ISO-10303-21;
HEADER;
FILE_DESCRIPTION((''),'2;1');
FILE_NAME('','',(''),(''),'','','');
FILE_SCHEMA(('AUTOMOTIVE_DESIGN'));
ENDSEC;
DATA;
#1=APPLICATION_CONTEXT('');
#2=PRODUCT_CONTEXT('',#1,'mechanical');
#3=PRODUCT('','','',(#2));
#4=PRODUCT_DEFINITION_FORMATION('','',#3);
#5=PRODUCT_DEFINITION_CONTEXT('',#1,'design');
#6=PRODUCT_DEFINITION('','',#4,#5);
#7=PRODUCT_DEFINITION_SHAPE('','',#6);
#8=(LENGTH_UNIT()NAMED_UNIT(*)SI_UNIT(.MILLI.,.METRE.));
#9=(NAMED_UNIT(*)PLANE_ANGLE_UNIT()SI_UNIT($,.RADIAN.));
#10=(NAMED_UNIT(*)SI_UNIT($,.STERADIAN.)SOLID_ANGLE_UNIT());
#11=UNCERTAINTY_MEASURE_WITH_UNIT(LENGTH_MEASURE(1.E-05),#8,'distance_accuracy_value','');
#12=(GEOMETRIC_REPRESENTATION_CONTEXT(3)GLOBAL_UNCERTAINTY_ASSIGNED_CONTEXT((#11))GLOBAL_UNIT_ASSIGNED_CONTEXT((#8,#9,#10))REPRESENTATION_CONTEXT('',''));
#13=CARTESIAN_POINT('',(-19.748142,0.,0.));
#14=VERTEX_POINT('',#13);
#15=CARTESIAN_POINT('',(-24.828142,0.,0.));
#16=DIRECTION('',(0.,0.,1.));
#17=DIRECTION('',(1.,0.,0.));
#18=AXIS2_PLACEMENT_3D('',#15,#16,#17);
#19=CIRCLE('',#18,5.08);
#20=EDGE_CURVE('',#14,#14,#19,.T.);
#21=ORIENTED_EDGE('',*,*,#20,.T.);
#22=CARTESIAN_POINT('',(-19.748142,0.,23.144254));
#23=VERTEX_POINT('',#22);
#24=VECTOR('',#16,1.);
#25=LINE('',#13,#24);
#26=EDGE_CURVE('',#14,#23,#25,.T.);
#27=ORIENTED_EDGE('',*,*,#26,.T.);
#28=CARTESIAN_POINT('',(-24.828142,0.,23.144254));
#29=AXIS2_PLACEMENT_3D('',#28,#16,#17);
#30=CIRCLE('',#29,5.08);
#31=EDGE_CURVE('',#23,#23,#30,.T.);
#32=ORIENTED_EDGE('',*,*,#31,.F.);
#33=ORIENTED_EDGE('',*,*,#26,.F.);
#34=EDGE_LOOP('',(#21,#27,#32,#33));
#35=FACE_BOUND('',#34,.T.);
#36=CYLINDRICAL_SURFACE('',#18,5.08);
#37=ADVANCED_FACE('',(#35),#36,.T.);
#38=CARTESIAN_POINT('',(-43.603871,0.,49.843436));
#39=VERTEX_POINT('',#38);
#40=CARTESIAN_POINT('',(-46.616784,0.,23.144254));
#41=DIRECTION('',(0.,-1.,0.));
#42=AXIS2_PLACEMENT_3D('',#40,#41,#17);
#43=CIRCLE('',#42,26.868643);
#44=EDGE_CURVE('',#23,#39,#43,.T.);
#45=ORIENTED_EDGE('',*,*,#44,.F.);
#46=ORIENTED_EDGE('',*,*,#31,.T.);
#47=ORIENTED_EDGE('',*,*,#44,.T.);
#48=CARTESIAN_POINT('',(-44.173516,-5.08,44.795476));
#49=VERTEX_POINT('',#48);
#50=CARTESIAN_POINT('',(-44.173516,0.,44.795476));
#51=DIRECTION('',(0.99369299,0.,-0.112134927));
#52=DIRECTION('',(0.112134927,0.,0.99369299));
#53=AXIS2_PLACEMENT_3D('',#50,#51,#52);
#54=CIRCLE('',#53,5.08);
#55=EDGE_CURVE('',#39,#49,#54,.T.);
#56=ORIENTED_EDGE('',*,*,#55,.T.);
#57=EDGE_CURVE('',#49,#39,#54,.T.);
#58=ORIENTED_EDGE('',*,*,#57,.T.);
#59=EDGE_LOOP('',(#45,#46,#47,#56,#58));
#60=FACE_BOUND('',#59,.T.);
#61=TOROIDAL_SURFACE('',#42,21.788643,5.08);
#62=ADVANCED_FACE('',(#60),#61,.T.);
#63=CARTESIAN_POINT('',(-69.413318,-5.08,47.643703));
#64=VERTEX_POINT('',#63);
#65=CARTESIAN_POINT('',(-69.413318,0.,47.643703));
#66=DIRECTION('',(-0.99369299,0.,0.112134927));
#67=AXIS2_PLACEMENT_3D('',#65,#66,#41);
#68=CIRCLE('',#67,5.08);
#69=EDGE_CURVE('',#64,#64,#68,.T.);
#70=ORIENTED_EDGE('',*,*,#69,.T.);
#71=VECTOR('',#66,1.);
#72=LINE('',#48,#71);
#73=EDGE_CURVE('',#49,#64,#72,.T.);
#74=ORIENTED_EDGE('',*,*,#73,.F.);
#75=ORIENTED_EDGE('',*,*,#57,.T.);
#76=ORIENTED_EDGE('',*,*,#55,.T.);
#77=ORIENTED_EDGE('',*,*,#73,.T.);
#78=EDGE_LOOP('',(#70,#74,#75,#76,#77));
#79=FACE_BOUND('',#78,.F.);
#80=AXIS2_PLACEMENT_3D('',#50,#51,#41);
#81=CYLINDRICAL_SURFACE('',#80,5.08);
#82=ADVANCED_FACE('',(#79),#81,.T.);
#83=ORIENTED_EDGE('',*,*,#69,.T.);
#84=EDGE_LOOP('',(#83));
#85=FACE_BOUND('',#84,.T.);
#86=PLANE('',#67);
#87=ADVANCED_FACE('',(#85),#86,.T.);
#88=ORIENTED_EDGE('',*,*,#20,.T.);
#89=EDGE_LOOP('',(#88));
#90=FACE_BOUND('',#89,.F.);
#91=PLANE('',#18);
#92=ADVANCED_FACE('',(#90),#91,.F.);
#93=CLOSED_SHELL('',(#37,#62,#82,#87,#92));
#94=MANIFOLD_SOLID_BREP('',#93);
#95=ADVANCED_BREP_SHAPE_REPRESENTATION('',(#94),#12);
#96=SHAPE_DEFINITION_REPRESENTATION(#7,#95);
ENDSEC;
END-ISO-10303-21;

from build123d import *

# Parameters (mm, degrees)
F1_R     = 5.08
F3_R     = 5.08
F4_DEPTH = 25.4


with BuildPart() as f2:
    # F2: sweep along a path in F0
    with BuildLine(Plane.XZ) as f2_path:
        Line((-24.8281415552, 0), (-24.8281415552, 23.1442544609))
        ThreePointArc((-24.8281415552, 23.1442544609), (-30.3690083723, 37.6616484687), (-44.1735163331, 44.7954759002))
    # F1 (on Top) → F2 (sweep)
    with BuildSketch(Plane.XY):
        with Locations((-24.8281415552, 0)):
            Circle(F1_R)
    sweep(path=f2_path.line)

    # F3 (on face) → F4 (join)
    with BuildSketch(Plane(origin=(-48.609524297, 0, 5.4854220715), x_dir=(0, -1, 0), z_dir=(-0.9936929899, 0, 0.112134927))):
        with Locations((0, 39.5595563508)):
            Circle(F3_R)
    extrude(amount=F4_DEPTH)


solid = f2.part
